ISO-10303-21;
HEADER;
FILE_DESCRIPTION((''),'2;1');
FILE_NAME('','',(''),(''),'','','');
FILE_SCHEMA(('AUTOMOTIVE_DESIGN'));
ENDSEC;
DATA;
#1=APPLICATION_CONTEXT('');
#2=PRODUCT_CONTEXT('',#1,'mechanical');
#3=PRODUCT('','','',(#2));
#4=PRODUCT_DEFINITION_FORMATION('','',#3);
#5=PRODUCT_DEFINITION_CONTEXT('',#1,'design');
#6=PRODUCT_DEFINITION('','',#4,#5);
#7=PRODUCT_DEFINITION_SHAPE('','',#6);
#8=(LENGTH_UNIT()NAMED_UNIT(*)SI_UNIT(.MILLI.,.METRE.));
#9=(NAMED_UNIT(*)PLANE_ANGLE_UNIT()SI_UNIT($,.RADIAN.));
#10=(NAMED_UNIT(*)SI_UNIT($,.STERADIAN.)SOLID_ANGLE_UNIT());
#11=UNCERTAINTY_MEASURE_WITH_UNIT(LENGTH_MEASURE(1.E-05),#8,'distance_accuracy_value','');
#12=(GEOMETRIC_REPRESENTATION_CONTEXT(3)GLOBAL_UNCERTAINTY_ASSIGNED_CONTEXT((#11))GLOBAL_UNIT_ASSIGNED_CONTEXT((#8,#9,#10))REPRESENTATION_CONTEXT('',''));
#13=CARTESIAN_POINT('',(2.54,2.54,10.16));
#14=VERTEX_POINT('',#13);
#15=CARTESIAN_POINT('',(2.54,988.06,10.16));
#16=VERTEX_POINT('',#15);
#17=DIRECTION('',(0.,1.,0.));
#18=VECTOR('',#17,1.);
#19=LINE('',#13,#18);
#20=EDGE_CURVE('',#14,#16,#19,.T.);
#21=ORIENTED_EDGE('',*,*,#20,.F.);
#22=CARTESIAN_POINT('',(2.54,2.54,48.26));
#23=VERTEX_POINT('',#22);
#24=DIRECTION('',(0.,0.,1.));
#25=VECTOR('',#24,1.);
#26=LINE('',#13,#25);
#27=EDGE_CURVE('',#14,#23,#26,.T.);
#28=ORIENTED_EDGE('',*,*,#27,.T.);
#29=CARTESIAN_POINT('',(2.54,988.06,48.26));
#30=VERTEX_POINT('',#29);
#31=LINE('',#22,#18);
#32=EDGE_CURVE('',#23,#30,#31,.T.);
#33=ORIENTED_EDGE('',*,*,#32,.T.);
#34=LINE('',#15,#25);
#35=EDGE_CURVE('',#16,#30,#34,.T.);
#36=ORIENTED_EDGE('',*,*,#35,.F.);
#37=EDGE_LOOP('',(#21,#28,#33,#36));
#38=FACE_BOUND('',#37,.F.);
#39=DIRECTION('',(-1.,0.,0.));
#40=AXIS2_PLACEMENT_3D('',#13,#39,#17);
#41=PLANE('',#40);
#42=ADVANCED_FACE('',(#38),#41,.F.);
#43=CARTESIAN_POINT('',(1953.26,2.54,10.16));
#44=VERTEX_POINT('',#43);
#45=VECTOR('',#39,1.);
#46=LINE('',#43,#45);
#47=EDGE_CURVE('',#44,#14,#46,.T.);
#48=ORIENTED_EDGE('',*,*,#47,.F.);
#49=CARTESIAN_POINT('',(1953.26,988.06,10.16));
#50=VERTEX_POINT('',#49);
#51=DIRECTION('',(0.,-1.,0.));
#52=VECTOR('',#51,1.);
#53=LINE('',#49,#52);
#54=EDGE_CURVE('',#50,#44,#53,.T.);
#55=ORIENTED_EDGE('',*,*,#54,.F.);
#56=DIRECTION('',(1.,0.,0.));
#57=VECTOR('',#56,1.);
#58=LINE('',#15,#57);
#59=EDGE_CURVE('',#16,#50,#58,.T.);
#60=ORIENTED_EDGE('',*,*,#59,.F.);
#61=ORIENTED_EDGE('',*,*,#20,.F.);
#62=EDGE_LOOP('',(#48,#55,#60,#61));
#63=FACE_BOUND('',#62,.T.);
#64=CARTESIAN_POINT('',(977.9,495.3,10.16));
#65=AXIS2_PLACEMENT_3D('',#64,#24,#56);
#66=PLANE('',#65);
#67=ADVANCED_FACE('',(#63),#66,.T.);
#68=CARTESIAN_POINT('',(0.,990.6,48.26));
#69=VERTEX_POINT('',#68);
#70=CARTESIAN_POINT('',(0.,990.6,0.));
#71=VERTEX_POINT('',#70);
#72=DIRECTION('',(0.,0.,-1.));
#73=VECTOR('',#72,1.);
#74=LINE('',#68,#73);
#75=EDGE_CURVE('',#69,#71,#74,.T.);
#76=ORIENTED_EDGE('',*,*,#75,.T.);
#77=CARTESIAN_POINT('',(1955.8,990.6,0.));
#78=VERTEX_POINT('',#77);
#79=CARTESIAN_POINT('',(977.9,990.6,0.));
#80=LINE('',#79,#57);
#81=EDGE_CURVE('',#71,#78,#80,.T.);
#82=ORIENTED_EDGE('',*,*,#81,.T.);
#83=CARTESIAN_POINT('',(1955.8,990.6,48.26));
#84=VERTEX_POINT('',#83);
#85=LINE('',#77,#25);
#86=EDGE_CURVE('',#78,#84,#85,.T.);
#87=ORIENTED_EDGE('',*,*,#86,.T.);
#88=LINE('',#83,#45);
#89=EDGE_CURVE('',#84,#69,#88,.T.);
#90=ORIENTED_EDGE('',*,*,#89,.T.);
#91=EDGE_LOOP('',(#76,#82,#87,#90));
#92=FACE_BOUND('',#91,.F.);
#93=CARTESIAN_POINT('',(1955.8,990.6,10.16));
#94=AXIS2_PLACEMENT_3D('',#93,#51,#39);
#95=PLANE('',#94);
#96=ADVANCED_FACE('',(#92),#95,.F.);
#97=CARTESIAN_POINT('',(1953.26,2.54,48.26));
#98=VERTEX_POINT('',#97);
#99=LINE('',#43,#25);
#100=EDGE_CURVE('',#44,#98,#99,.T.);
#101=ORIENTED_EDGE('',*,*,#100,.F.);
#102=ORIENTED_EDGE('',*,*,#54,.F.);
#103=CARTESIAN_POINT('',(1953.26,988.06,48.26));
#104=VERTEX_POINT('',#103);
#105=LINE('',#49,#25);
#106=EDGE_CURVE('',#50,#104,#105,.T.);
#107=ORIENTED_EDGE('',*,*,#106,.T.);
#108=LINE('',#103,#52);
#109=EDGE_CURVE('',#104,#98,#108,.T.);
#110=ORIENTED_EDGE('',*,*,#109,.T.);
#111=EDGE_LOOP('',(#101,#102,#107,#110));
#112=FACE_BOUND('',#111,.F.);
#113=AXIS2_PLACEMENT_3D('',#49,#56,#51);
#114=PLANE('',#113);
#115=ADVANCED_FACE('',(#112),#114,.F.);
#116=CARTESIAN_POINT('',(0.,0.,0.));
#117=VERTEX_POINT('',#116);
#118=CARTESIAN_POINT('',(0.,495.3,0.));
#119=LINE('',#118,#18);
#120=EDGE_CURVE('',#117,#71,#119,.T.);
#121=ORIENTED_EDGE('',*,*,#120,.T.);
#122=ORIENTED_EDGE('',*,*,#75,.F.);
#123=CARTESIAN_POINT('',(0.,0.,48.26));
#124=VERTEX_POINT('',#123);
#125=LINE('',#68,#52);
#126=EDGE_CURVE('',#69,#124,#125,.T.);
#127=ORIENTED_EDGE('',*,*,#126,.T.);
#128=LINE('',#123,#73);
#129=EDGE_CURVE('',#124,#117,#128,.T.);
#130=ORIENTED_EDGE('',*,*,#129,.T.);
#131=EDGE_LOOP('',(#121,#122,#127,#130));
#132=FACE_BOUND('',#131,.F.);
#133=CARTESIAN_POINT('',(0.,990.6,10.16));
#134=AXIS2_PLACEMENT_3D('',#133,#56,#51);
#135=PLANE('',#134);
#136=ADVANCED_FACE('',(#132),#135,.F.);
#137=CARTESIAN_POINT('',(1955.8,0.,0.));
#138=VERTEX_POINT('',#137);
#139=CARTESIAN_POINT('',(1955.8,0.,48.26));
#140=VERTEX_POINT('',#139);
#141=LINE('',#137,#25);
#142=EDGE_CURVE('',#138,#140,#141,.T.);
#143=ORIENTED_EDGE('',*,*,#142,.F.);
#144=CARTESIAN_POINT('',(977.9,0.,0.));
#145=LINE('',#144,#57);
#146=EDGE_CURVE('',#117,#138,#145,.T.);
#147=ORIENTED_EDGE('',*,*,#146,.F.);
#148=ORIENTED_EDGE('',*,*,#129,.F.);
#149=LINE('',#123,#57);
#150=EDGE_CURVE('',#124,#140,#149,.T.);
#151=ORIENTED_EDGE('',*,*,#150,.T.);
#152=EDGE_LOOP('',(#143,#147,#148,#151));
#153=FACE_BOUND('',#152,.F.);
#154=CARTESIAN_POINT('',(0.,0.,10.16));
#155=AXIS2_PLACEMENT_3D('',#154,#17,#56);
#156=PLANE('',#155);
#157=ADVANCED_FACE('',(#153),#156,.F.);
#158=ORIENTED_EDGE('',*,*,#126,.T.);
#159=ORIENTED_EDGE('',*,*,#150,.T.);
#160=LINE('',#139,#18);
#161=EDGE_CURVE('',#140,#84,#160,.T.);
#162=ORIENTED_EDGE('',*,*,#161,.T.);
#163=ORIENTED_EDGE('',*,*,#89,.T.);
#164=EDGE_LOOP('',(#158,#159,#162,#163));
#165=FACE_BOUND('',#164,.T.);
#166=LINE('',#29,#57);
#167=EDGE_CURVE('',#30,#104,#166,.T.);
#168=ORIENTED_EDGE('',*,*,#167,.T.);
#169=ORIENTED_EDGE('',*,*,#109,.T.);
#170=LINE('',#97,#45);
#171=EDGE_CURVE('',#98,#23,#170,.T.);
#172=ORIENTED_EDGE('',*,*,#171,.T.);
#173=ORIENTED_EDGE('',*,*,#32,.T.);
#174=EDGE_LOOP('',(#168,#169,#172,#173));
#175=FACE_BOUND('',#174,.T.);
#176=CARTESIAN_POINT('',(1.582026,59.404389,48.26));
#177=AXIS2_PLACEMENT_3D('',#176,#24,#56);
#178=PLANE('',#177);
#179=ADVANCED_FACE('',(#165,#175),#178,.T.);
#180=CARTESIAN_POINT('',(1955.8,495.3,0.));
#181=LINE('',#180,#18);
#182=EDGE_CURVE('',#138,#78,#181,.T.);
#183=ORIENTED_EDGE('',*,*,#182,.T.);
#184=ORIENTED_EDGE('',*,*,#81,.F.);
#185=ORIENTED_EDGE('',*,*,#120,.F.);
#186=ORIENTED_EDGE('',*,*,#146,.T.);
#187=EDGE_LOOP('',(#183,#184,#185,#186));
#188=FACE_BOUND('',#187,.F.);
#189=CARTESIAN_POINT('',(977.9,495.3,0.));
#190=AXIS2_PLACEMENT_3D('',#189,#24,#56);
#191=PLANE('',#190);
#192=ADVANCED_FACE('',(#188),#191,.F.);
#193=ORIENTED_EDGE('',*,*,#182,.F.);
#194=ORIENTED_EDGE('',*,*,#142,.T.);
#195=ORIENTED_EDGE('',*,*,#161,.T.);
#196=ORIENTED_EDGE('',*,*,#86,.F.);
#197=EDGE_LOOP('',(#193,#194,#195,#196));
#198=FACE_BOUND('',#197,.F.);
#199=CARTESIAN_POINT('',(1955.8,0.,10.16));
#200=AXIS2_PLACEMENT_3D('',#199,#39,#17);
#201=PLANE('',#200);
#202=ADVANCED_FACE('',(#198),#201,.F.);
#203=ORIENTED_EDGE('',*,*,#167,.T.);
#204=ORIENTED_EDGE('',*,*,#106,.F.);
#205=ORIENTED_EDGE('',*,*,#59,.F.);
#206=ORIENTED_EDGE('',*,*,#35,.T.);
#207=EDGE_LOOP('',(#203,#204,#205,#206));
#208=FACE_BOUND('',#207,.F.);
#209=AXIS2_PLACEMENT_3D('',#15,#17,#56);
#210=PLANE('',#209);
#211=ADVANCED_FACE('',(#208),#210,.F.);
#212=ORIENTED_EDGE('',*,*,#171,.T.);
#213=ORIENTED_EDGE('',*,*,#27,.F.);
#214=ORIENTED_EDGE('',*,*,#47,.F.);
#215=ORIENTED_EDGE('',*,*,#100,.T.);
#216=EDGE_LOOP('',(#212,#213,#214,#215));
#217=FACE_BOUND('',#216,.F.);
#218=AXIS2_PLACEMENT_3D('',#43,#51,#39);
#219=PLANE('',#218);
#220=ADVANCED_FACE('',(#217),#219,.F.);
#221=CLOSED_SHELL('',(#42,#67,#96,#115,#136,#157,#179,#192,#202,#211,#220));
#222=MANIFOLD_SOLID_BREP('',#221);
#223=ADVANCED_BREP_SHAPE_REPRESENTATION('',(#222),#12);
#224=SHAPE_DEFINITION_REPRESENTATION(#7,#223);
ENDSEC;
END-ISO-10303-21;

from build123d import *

# Parameters (mm, degrees)
F0_W     = 1955.8
F0_H     = 990.6
F1_DEPTH = 10.16
F3_DEPTH = 38.1


with BuildPart() as f1:
    # F0 (on Top) → F1 (new body)
    with BuildSketch(Plane.XY):
        with Locations((977.9, 495.3)):
            Rectangle(F0_W, F0_H)
    extrude(amount=F1_DEPTH)

    # F2 (on face) → F3 (join)
    with BuildSketch(Plane.XY.offset(10.16)):
        Polygon((2.54, 125.157505), (0, 125.157505), (0, 0), (9.51278, 0), (9.51278, 2.54), (2.54, 2.54), align=None)
        Polygon((0, 990.6), (0, 125.157505), (2.54, 125.157505), (2.54, 988.06), (1948.808074, 988.06), (1948.808074, 990.6), align=None)
        Polygon((1955.8, 990.6), (1948.808074, 990.6), (1948.808074, 988.06), (1953.26, 988.06), (1953.26, 977.438092), (1955.8, 977.438092), align=None)
        Polygon((9.51278, 2.54), (9.51278, 0), (1955.8, 0), (1955.8, 977.438092), (1953.26, 977.438092), (1953.26, 2.54), align=None)
    extrude(amount=F3_DEPTH)


solid = f1.part
